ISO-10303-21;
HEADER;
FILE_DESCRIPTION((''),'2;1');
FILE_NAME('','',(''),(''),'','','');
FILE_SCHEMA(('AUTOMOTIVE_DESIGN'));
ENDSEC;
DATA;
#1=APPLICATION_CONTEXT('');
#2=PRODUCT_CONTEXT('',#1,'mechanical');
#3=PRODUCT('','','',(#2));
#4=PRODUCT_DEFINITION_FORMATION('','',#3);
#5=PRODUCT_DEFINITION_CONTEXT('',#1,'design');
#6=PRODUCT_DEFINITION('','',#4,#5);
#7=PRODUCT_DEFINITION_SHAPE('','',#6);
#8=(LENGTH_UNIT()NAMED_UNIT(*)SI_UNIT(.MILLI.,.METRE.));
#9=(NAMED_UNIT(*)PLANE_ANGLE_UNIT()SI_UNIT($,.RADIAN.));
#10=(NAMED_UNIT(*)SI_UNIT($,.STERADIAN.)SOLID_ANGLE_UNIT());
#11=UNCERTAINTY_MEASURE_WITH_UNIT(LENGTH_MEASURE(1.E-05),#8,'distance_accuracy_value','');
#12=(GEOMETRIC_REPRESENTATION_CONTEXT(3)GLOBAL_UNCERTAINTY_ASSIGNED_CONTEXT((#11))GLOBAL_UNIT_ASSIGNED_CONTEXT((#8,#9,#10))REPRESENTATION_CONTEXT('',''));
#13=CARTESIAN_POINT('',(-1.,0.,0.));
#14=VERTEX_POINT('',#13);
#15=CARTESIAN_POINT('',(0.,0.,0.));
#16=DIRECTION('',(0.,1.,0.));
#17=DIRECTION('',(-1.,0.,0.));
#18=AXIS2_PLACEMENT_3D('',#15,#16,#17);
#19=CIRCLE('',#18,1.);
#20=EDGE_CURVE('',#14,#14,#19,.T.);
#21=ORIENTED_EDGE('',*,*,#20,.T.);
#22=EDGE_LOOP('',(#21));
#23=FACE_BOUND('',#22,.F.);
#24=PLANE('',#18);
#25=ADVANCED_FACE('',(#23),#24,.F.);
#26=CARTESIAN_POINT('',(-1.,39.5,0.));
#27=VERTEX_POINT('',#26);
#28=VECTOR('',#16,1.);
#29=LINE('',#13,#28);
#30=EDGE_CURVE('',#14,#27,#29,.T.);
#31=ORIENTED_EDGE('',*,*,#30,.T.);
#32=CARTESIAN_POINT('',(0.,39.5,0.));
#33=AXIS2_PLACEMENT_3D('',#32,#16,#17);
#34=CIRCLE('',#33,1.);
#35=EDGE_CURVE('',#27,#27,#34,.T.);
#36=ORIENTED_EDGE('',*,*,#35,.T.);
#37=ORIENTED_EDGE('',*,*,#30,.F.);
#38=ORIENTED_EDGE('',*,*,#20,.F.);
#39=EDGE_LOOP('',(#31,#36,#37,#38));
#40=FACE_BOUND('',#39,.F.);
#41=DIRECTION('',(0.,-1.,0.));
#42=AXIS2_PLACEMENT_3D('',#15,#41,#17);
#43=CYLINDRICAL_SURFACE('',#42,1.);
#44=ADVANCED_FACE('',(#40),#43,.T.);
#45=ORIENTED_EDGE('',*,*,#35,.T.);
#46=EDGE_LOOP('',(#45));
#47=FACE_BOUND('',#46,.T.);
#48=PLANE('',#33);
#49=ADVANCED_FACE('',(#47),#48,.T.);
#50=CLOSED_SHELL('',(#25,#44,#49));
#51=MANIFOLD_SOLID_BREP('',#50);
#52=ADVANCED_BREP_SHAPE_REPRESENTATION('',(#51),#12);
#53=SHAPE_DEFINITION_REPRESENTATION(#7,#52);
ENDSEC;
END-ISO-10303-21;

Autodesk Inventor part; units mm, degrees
ref_plane "YZ Plane" through (0, 0, 0) normal (1, 0, 0) x (0, 1, 0)
ref_plane "XZ Plane" through (0, 0, 0) normal (0, 1, 0) x (-1, 0, 0)
ref_plane "XY Plane" through (0, 0, 0) normal (0, 0, 1) x (1, 0, 0)
sketch "Sketch1" plane through (0, 0, 0) normal (0, 1, 0) x (-1, 0, 0)
  circle A0 centre (0, 0) radius 1
  dimension "d0" = 2
extrude "Extrusion1" add sketch "Sketch1" along normal blind 39.5
properties part number "tycinka_kratsi"
